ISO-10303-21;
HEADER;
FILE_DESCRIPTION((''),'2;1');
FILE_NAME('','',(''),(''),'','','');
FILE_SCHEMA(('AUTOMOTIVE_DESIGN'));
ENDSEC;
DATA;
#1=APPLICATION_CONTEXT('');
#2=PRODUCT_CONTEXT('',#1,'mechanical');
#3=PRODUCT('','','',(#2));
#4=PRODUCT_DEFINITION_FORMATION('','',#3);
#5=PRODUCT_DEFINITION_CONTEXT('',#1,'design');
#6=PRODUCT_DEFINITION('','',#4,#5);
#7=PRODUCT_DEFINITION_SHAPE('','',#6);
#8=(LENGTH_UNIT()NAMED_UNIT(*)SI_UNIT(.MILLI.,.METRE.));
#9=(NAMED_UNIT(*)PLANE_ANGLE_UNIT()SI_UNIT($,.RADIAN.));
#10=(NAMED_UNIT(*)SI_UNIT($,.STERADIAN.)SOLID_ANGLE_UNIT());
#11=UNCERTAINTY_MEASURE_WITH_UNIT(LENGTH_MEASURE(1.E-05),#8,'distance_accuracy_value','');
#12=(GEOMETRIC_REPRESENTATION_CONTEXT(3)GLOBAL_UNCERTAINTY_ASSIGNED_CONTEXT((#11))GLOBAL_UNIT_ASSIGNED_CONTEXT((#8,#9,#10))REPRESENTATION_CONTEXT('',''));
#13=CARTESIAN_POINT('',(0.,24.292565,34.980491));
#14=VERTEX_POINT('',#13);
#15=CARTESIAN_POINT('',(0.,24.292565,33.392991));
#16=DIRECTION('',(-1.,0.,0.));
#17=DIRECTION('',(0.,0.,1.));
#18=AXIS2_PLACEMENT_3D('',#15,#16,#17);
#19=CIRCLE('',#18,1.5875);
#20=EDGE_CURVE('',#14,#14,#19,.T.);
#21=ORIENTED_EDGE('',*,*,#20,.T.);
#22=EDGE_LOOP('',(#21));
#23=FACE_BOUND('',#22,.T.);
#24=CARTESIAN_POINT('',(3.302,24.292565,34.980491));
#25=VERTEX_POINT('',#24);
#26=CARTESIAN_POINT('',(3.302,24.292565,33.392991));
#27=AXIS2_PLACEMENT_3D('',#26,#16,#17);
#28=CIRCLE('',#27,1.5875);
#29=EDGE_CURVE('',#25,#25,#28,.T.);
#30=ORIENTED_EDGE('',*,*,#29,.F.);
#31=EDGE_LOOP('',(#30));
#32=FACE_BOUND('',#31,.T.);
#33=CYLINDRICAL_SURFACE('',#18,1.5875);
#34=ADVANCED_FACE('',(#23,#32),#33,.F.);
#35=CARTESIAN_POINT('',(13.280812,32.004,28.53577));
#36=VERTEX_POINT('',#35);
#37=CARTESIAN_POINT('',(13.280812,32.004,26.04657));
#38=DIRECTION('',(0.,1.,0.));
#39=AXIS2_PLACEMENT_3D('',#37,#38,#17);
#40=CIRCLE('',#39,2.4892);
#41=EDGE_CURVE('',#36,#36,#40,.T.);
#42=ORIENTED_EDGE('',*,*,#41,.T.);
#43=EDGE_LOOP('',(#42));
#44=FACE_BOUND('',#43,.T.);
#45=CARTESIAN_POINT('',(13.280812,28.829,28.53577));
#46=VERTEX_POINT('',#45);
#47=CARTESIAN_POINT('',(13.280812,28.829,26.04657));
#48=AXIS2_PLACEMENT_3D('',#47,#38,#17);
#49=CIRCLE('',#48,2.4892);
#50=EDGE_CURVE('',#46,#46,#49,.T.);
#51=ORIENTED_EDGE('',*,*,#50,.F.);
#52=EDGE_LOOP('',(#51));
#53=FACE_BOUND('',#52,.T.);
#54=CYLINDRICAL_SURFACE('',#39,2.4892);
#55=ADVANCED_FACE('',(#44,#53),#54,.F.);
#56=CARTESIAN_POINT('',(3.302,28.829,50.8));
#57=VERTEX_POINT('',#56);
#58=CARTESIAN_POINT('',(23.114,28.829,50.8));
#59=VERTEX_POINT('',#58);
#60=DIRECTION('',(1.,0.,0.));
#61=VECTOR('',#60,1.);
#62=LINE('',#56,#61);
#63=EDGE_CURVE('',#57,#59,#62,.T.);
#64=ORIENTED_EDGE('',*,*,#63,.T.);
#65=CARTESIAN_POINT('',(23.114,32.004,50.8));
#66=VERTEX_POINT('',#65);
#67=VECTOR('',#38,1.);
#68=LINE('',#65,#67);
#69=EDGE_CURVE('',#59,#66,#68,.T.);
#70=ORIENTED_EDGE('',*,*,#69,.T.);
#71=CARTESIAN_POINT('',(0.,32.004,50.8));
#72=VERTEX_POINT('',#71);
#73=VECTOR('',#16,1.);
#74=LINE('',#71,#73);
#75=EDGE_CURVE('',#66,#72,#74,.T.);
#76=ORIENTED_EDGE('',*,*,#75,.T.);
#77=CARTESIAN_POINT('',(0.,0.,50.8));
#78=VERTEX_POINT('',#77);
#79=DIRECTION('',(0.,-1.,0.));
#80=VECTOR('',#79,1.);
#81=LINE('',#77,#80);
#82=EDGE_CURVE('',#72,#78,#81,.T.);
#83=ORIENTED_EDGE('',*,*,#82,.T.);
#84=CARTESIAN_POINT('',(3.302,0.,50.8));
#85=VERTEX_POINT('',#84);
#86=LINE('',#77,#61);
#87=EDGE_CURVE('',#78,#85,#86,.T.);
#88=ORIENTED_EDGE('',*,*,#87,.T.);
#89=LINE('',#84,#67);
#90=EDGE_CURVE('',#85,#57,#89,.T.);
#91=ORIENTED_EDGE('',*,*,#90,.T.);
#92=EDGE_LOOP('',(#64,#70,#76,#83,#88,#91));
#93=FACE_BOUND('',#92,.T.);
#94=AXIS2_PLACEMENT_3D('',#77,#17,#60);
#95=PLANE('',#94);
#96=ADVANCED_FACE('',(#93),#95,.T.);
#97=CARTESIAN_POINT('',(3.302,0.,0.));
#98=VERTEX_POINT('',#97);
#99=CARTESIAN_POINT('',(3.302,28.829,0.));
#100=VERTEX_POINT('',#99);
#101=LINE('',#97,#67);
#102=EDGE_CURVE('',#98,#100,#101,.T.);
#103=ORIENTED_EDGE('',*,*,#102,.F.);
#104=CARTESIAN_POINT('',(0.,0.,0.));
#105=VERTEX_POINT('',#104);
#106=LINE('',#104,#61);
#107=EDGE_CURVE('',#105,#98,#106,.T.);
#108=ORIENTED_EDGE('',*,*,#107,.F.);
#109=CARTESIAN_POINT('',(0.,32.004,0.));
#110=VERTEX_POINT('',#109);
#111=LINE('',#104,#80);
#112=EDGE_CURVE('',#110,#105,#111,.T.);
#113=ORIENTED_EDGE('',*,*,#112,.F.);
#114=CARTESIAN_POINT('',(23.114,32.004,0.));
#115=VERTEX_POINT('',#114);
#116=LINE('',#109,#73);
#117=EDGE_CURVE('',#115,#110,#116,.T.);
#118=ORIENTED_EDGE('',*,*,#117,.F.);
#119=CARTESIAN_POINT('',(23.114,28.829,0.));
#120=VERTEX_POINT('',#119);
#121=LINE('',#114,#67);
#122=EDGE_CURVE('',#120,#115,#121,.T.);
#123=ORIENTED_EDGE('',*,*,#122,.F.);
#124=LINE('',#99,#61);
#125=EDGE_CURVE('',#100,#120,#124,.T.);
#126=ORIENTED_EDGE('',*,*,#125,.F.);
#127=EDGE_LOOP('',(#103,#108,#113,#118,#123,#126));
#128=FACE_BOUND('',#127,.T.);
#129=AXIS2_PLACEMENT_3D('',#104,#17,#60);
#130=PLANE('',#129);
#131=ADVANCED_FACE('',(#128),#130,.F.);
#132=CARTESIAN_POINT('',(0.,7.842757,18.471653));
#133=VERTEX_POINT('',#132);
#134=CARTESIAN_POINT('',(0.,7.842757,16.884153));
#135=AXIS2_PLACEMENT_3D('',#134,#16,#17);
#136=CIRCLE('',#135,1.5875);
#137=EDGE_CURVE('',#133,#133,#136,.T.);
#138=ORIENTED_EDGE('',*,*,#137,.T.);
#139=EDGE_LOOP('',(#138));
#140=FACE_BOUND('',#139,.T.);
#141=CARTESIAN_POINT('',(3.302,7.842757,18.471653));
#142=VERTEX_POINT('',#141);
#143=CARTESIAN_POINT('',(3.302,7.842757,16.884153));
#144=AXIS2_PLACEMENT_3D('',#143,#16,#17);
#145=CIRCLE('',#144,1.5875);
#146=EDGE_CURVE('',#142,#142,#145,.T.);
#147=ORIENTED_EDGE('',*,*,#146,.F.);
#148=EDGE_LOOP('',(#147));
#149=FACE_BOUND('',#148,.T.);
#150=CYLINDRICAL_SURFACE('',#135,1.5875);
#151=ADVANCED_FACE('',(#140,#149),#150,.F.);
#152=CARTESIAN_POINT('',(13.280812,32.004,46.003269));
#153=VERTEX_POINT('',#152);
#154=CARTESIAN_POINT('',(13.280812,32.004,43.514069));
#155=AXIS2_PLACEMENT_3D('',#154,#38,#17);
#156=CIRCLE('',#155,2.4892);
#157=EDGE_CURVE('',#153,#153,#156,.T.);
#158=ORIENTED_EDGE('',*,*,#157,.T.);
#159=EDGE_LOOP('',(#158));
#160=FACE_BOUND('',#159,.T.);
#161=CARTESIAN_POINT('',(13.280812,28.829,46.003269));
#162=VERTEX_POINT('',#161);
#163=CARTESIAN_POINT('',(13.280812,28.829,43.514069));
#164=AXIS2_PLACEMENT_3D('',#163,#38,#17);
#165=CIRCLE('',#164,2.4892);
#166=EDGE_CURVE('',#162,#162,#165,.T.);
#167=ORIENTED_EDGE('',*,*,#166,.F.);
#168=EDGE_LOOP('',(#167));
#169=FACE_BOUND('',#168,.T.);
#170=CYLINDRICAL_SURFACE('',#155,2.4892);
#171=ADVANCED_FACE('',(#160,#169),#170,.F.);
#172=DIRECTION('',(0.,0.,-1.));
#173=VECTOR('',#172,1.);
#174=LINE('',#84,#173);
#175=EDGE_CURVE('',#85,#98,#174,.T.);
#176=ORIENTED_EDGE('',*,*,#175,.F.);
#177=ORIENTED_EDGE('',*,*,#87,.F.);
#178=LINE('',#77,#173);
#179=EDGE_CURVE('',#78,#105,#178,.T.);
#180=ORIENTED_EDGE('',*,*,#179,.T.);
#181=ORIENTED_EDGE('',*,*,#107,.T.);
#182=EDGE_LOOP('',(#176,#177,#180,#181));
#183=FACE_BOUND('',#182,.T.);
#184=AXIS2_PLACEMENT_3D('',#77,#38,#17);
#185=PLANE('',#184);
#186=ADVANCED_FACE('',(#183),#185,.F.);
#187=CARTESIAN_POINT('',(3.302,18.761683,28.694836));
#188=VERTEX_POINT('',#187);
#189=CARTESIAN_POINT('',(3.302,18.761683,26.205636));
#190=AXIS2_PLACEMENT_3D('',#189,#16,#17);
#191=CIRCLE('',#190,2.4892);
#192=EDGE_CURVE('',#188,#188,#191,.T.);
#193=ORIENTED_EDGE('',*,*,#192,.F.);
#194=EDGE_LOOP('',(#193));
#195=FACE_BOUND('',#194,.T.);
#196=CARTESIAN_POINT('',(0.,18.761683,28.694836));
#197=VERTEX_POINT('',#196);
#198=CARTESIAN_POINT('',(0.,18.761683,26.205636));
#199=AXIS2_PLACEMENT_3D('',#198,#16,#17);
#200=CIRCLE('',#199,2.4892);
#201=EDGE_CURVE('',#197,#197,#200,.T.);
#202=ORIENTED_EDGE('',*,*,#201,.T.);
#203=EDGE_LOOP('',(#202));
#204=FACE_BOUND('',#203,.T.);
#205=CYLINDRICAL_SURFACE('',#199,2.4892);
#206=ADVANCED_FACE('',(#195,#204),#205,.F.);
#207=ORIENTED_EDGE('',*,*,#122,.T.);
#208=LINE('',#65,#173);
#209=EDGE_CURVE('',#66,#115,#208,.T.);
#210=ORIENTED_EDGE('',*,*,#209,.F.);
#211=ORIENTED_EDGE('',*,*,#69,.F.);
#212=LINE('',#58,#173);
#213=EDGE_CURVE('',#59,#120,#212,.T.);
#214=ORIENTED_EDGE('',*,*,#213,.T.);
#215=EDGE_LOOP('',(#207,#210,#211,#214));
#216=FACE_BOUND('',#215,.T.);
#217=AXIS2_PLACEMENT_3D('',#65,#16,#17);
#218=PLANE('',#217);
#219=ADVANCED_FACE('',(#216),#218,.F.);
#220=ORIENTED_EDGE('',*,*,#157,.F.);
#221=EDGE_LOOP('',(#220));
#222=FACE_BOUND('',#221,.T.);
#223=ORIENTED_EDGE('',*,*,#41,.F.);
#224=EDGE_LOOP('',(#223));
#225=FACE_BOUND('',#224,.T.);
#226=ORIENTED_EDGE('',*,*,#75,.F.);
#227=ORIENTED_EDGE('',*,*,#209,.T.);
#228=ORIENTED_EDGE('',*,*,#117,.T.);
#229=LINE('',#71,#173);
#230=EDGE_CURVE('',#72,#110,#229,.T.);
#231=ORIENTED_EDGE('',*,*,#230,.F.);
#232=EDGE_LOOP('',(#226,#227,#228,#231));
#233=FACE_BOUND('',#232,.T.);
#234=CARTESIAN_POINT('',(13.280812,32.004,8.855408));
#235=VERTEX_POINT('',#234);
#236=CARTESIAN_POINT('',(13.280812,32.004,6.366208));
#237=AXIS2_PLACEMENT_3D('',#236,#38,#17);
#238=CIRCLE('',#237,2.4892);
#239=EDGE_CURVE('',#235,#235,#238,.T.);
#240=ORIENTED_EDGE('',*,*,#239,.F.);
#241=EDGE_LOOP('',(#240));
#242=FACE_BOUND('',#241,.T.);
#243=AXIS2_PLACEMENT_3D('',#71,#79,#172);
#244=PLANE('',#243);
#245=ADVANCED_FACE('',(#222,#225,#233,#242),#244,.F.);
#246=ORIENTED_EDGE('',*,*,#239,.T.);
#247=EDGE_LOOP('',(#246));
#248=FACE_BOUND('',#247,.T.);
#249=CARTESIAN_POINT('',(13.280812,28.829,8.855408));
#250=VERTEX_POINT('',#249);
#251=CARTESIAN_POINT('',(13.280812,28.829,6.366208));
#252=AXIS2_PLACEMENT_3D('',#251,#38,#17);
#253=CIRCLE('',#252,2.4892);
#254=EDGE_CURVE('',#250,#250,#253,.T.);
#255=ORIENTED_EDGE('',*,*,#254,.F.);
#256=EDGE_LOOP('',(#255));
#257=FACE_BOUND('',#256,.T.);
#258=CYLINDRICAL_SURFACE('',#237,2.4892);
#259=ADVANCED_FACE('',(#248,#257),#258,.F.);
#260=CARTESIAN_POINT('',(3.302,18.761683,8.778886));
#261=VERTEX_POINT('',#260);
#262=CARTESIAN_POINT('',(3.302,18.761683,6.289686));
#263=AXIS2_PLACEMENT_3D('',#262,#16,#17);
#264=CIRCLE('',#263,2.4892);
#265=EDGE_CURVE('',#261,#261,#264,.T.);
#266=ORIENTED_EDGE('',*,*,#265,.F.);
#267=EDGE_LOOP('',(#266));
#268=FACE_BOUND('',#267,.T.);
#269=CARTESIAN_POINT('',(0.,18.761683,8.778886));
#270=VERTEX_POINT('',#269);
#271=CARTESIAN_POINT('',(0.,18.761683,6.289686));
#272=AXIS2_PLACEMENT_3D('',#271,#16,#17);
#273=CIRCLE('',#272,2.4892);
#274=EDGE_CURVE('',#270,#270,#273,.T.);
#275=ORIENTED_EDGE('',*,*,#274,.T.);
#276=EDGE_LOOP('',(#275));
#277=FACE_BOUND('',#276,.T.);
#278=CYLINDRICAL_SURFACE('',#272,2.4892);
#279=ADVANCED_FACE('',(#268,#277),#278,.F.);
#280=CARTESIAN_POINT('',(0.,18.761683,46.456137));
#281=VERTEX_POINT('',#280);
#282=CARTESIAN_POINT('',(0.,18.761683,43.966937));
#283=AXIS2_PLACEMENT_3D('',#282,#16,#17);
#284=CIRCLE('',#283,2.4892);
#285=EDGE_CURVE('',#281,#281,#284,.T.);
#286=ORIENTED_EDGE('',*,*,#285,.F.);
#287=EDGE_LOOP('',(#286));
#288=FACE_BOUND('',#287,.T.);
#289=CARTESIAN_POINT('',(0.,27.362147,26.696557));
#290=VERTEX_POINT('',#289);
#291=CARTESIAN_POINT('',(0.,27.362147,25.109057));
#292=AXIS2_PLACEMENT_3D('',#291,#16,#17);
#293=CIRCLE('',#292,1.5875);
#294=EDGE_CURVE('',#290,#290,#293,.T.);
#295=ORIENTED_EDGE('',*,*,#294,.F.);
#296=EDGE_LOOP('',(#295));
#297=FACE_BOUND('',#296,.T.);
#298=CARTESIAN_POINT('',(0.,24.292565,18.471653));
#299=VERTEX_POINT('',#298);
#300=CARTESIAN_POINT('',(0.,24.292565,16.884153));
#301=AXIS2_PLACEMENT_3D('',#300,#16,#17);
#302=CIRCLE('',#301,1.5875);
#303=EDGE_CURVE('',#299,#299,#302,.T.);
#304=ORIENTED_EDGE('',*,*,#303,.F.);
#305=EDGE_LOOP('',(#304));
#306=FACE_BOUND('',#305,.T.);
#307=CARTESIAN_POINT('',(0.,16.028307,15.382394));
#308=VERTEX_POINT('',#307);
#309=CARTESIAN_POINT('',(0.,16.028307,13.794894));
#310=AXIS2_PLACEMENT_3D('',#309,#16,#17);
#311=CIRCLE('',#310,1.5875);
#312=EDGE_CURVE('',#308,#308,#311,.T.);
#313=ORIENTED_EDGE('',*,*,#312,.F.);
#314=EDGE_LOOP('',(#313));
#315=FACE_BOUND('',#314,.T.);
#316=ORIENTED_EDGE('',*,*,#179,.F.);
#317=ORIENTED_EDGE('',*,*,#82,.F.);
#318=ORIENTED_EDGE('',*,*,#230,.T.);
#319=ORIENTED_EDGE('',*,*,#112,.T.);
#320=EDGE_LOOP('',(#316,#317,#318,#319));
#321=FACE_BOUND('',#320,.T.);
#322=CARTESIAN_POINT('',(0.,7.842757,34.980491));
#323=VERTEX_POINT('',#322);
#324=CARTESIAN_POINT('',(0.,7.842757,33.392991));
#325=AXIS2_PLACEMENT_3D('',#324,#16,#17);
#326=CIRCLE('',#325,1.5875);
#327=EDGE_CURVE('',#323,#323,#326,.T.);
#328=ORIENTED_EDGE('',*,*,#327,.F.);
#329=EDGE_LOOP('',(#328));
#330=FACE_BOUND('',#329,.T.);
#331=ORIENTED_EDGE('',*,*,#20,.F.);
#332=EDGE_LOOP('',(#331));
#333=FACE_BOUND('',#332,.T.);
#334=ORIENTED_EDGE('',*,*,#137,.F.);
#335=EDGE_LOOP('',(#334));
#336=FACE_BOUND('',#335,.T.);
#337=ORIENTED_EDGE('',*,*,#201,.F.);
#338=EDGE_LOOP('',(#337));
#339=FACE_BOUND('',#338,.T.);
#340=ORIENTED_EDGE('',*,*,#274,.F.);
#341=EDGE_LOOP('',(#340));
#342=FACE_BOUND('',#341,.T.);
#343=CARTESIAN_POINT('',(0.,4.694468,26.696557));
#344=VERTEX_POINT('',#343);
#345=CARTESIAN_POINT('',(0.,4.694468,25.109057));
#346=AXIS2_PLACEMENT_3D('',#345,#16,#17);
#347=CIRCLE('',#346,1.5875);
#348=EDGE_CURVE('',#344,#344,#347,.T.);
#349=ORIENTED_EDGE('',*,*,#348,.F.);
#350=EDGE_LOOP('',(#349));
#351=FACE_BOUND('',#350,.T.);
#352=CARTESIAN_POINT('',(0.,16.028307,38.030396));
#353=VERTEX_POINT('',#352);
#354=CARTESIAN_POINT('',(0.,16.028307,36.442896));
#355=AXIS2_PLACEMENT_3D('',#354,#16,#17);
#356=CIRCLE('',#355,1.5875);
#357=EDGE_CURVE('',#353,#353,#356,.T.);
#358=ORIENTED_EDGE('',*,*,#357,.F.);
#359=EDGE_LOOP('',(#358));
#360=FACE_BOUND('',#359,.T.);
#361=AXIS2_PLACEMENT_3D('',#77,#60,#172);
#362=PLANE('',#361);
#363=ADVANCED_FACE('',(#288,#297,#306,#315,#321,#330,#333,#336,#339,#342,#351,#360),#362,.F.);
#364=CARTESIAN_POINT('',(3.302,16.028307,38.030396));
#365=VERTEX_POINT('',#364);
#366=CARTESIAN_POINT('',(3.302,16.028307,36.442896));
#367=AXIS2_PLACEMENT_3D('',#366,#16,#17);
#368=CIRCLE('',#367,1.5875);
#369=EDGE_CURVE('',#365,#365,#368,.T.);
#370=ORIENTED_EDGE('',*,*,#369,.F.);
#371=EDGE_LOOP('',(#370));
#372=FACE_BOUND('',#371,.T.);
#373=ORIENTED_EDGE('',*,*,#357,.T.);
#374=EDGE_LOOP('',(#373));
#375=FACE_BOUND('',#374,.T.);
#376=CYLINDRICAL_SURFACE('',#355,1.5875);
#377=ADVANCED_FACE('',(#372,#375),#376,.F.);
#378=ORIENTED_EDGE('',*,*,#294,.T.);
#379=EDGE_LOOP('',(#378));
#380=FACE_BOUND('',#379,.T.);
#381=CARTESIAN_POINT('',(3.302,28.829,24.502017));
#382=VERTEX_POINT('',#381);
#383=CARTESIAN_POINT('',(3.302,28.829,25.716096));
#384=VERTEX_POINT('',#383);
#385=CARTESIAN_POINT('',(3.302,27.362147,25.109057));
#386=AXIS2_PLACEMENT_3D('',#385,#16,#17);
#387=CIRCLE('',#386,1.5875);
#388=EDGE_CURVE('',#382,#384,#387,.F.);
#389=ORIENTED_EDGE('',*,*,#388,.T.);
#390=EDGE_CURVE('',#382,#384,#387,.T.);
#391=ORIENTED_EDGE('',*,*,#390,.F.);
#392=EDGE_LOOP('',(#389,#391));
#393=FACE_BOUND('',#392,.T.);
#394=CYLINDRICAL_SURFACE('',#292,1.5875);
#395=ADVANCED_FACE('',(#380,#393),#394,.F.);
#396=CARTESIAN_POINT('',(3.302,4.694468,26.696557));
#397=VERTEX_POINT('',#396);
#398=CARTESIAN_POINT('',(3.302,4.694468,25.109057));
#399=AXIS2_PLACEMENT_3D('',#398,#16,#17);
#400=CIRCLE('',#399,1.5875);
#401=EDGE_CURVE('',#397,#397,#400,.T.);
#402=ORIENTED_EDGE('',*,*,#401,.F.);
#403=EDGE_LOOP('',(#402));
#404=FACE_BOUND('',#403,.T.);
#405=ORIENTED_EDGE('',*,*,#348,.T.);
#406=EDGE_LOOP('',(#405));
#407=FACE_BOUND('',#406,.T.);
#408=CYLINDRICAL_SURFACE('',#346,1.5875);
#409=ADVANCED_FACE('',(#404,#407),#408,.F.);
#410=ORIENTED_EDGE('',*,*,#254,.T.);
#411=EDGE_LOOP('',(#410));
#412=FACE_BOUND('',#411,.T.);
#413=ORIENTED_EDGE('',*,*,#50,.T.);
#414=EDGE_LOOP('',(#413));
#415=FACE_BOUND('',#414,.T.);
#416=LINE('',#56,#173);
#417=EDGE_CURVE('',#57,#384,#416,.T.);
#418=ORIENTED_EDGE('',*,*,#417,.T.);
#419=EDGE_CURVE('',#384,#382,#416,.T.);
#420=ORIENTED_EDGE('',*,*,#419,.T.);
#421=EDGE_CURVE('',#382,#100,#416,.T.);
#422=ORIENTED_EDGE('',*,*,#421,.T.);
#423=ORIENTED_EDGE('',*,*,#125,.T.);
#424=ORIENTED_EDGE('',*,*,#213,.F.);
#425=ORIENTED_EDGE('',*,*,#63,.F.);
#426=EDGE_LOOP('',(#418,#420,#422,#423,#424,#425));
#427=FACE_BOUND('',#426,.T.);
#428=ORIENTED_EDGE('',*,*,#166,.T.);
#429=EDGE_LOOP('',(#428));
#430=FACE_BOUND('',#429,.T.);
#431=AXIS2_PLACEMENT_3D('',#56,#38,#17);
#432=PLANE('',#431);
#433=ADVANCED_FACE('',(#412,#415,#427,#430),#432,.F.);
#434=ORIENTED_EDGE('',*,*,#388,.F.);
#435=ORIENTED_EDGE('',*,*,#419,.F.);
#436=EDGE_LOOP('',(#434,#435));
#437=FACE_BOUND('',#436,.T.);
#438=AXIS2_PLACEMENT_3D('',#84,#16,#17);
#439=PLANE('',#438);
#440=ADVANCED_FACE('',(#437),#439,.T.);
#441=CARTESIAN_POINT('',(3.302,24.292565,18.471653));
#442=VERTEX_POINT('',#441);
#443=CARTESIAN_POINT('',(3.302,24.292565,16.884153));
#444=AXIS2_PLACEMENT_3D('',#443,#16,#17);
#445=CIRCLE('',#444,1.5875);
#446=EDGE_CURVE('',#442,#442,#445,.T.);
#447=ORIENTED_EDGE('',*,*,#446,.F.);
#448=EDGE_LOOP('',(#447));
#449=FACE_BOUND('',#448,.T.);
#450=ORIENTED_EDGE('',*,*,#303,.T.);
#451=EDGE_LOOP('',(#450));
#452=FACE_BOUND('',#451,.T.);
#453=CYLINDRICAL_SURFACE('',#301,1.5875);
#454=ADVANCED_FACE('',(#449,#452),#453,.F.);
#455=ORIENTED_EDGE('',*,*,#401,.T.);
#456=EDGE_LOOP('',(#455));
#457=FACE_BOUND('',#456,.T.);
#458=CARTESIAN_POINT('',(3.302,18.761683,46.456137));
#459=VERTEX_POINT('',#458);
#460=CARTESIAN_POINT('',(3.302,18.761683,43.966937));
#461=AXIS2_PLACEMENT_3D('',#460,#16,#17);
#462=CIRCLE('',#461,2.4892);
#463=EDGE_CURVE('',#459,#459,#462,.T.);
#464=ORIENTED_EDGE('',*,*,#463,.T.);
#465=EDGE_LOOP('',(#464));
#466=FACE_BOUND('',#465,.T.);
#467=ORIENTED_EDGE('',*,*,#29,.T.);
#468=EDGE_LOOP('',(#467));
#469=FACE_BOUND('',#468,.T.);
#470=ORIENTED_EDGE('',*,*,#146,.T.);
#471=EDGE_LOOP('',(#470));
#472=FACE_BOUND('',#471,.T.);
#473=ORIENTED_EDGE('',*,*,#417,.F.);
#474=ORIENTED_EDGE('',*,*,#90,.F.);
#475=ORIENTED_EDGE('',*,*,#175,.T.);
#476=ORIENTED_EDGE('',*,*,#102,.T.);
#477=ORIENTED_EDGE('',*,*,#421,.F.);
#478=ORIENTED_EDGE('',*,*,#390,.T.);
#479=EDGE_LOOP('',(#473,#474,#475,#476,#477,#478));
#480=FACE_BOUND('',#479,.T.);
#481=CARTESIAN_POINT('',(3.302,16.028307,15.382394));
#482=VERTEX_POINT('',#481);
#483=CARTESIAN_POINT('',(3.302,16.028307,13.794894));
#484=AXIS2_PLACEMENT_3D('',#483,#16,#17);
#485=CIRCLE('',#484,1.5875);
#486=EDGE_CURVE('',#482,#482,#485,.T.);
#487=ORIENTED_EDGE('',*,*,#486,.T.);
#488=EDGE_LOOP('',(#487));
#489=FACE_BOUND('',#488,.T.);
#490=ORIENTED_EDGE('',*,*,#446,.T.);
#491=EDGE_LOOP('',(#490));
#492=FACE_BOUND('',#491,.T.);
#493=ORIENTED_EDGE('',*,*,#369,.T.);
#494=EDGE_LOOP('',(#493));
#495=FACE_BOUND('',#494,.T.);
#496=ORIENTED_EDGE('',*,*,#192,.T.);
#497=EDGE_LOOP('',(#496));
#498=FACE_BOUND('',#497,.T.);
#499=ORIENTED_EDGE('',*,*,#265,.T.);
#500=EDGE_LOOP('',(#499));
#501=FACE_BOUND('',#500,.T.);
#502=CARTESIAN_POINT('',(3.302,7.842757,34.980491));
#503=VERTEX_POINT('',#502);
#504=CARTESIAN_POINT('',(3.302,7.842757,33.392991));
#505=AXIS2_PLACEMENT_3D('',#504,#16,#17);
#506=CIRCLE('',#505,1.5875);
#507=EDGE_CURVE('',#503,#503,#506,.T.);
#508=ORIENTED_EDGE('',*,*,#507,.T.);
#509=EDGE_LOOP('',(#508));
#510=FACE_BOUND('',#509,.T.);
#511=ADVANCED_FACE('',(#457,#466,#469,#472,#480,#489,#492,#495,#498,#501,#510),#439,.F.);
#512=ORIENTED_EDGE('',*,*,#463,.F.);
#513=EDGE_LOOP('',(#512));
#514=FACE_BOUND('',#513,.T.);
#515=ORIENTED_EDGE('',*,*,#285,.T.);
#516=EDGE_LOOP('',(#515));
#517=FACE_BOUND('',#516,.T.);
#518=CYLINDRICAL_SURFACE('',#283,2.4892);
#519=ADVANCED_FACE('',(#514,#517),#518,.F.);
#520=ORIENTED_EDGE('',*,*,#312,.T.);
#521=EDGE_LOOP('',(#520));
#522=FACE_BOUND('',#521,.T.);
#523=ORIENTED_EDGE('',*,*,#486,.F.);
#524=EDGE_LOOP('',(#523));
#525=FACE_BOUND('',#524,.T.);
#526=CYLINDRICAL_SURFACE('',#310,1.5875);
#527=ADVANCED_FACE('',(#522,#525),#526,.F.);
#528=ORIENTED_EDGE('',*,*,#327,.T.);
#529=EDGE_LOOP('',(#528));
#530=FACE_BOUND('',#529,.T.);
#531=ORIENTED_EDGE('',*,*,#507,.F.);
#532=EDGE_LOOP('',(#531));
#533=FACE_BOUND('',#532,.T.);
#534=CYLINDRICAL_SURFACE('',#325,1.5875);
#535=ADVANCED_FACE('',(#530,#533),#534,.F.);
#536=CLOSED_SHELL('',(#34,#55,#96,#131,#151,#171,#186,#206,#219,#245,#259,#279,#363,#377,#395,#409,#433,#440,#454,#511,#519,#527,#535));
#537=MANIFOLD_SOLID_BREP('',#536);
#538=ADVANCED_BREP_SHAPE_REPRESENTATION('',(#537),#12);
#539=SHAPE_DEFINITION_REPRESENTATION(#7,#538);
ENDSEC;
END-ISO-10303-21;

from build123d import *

# Parameters (mm, degrees)
BOSS_EXTRUDE1_DEPTH              = 50.8
F_9_0_196_DIAMETER_HOLE2_D       = 4.9784
F_9_0_196_DIAMETER_HOLE3_D       = 4.9784
F_1_8_0_125_DIAMETER_HOLE1_D     = 3.175
F_1_8_0_125_DIAMETER_HOLE1_DEPTH = 3.302


with BuildPart() as part:
    # Sketch1 → Boss-Extrude1 (new body)
    with BuildSketch(Plane.XY):
        Polygon((0, 0), (0, 32.004), (23.114, 32.004), (23.114, 28.829), (3.302, 28.829), (3.302, 0), align=None)
    extrude(amount=BOSS_EXTRUDE1_DEPTH)

    # #9 (0.196) Diameter Hole2 (through all)
    with Locations(Plane(origin=(0, 32.004, 0), x_dir=(1, 0, 0), z_dir=(0, 1, 0))):
        with Locations((13.280812395, -26.046570346), (13.280812395, -6.366207965), (13.280812395, -43.514069015)):
            Hole(F_9_0_196_DIAMETER_HOLE2_D / 2)

    # #9 (0.196) Diameter Hole3 (through all)
    with Locations(Plane.ZY):
        with Locations((6.2896856, 18.761683292), (26.205635925, 18.761683292), (43.966936654, 18.761683292)):
            Hole(F_9_0_196_DIAMETER_HOLE3_D / 2)

    # 1/8 (0.125) Diameter Hole1
    with Locations(Plane.ZY):
        with Locations((36.442896127, 16.028307276), (33.392991473, 7.842756721), (25.109056897, 4.694468046), (16.884152733, 7.842756721), (13.794894471, 16.028307276), (16.884152733, 24.292565048), (25.109056897, 27.362146507), (33.392991473, 24.292565048)):
            Hole(F_1_8_0_125_DIAMETER_HOLE1_D / 2, depth=F_1_8_0_125_DIAMETER_HOLE1_DEPTH)


solid = part.part
